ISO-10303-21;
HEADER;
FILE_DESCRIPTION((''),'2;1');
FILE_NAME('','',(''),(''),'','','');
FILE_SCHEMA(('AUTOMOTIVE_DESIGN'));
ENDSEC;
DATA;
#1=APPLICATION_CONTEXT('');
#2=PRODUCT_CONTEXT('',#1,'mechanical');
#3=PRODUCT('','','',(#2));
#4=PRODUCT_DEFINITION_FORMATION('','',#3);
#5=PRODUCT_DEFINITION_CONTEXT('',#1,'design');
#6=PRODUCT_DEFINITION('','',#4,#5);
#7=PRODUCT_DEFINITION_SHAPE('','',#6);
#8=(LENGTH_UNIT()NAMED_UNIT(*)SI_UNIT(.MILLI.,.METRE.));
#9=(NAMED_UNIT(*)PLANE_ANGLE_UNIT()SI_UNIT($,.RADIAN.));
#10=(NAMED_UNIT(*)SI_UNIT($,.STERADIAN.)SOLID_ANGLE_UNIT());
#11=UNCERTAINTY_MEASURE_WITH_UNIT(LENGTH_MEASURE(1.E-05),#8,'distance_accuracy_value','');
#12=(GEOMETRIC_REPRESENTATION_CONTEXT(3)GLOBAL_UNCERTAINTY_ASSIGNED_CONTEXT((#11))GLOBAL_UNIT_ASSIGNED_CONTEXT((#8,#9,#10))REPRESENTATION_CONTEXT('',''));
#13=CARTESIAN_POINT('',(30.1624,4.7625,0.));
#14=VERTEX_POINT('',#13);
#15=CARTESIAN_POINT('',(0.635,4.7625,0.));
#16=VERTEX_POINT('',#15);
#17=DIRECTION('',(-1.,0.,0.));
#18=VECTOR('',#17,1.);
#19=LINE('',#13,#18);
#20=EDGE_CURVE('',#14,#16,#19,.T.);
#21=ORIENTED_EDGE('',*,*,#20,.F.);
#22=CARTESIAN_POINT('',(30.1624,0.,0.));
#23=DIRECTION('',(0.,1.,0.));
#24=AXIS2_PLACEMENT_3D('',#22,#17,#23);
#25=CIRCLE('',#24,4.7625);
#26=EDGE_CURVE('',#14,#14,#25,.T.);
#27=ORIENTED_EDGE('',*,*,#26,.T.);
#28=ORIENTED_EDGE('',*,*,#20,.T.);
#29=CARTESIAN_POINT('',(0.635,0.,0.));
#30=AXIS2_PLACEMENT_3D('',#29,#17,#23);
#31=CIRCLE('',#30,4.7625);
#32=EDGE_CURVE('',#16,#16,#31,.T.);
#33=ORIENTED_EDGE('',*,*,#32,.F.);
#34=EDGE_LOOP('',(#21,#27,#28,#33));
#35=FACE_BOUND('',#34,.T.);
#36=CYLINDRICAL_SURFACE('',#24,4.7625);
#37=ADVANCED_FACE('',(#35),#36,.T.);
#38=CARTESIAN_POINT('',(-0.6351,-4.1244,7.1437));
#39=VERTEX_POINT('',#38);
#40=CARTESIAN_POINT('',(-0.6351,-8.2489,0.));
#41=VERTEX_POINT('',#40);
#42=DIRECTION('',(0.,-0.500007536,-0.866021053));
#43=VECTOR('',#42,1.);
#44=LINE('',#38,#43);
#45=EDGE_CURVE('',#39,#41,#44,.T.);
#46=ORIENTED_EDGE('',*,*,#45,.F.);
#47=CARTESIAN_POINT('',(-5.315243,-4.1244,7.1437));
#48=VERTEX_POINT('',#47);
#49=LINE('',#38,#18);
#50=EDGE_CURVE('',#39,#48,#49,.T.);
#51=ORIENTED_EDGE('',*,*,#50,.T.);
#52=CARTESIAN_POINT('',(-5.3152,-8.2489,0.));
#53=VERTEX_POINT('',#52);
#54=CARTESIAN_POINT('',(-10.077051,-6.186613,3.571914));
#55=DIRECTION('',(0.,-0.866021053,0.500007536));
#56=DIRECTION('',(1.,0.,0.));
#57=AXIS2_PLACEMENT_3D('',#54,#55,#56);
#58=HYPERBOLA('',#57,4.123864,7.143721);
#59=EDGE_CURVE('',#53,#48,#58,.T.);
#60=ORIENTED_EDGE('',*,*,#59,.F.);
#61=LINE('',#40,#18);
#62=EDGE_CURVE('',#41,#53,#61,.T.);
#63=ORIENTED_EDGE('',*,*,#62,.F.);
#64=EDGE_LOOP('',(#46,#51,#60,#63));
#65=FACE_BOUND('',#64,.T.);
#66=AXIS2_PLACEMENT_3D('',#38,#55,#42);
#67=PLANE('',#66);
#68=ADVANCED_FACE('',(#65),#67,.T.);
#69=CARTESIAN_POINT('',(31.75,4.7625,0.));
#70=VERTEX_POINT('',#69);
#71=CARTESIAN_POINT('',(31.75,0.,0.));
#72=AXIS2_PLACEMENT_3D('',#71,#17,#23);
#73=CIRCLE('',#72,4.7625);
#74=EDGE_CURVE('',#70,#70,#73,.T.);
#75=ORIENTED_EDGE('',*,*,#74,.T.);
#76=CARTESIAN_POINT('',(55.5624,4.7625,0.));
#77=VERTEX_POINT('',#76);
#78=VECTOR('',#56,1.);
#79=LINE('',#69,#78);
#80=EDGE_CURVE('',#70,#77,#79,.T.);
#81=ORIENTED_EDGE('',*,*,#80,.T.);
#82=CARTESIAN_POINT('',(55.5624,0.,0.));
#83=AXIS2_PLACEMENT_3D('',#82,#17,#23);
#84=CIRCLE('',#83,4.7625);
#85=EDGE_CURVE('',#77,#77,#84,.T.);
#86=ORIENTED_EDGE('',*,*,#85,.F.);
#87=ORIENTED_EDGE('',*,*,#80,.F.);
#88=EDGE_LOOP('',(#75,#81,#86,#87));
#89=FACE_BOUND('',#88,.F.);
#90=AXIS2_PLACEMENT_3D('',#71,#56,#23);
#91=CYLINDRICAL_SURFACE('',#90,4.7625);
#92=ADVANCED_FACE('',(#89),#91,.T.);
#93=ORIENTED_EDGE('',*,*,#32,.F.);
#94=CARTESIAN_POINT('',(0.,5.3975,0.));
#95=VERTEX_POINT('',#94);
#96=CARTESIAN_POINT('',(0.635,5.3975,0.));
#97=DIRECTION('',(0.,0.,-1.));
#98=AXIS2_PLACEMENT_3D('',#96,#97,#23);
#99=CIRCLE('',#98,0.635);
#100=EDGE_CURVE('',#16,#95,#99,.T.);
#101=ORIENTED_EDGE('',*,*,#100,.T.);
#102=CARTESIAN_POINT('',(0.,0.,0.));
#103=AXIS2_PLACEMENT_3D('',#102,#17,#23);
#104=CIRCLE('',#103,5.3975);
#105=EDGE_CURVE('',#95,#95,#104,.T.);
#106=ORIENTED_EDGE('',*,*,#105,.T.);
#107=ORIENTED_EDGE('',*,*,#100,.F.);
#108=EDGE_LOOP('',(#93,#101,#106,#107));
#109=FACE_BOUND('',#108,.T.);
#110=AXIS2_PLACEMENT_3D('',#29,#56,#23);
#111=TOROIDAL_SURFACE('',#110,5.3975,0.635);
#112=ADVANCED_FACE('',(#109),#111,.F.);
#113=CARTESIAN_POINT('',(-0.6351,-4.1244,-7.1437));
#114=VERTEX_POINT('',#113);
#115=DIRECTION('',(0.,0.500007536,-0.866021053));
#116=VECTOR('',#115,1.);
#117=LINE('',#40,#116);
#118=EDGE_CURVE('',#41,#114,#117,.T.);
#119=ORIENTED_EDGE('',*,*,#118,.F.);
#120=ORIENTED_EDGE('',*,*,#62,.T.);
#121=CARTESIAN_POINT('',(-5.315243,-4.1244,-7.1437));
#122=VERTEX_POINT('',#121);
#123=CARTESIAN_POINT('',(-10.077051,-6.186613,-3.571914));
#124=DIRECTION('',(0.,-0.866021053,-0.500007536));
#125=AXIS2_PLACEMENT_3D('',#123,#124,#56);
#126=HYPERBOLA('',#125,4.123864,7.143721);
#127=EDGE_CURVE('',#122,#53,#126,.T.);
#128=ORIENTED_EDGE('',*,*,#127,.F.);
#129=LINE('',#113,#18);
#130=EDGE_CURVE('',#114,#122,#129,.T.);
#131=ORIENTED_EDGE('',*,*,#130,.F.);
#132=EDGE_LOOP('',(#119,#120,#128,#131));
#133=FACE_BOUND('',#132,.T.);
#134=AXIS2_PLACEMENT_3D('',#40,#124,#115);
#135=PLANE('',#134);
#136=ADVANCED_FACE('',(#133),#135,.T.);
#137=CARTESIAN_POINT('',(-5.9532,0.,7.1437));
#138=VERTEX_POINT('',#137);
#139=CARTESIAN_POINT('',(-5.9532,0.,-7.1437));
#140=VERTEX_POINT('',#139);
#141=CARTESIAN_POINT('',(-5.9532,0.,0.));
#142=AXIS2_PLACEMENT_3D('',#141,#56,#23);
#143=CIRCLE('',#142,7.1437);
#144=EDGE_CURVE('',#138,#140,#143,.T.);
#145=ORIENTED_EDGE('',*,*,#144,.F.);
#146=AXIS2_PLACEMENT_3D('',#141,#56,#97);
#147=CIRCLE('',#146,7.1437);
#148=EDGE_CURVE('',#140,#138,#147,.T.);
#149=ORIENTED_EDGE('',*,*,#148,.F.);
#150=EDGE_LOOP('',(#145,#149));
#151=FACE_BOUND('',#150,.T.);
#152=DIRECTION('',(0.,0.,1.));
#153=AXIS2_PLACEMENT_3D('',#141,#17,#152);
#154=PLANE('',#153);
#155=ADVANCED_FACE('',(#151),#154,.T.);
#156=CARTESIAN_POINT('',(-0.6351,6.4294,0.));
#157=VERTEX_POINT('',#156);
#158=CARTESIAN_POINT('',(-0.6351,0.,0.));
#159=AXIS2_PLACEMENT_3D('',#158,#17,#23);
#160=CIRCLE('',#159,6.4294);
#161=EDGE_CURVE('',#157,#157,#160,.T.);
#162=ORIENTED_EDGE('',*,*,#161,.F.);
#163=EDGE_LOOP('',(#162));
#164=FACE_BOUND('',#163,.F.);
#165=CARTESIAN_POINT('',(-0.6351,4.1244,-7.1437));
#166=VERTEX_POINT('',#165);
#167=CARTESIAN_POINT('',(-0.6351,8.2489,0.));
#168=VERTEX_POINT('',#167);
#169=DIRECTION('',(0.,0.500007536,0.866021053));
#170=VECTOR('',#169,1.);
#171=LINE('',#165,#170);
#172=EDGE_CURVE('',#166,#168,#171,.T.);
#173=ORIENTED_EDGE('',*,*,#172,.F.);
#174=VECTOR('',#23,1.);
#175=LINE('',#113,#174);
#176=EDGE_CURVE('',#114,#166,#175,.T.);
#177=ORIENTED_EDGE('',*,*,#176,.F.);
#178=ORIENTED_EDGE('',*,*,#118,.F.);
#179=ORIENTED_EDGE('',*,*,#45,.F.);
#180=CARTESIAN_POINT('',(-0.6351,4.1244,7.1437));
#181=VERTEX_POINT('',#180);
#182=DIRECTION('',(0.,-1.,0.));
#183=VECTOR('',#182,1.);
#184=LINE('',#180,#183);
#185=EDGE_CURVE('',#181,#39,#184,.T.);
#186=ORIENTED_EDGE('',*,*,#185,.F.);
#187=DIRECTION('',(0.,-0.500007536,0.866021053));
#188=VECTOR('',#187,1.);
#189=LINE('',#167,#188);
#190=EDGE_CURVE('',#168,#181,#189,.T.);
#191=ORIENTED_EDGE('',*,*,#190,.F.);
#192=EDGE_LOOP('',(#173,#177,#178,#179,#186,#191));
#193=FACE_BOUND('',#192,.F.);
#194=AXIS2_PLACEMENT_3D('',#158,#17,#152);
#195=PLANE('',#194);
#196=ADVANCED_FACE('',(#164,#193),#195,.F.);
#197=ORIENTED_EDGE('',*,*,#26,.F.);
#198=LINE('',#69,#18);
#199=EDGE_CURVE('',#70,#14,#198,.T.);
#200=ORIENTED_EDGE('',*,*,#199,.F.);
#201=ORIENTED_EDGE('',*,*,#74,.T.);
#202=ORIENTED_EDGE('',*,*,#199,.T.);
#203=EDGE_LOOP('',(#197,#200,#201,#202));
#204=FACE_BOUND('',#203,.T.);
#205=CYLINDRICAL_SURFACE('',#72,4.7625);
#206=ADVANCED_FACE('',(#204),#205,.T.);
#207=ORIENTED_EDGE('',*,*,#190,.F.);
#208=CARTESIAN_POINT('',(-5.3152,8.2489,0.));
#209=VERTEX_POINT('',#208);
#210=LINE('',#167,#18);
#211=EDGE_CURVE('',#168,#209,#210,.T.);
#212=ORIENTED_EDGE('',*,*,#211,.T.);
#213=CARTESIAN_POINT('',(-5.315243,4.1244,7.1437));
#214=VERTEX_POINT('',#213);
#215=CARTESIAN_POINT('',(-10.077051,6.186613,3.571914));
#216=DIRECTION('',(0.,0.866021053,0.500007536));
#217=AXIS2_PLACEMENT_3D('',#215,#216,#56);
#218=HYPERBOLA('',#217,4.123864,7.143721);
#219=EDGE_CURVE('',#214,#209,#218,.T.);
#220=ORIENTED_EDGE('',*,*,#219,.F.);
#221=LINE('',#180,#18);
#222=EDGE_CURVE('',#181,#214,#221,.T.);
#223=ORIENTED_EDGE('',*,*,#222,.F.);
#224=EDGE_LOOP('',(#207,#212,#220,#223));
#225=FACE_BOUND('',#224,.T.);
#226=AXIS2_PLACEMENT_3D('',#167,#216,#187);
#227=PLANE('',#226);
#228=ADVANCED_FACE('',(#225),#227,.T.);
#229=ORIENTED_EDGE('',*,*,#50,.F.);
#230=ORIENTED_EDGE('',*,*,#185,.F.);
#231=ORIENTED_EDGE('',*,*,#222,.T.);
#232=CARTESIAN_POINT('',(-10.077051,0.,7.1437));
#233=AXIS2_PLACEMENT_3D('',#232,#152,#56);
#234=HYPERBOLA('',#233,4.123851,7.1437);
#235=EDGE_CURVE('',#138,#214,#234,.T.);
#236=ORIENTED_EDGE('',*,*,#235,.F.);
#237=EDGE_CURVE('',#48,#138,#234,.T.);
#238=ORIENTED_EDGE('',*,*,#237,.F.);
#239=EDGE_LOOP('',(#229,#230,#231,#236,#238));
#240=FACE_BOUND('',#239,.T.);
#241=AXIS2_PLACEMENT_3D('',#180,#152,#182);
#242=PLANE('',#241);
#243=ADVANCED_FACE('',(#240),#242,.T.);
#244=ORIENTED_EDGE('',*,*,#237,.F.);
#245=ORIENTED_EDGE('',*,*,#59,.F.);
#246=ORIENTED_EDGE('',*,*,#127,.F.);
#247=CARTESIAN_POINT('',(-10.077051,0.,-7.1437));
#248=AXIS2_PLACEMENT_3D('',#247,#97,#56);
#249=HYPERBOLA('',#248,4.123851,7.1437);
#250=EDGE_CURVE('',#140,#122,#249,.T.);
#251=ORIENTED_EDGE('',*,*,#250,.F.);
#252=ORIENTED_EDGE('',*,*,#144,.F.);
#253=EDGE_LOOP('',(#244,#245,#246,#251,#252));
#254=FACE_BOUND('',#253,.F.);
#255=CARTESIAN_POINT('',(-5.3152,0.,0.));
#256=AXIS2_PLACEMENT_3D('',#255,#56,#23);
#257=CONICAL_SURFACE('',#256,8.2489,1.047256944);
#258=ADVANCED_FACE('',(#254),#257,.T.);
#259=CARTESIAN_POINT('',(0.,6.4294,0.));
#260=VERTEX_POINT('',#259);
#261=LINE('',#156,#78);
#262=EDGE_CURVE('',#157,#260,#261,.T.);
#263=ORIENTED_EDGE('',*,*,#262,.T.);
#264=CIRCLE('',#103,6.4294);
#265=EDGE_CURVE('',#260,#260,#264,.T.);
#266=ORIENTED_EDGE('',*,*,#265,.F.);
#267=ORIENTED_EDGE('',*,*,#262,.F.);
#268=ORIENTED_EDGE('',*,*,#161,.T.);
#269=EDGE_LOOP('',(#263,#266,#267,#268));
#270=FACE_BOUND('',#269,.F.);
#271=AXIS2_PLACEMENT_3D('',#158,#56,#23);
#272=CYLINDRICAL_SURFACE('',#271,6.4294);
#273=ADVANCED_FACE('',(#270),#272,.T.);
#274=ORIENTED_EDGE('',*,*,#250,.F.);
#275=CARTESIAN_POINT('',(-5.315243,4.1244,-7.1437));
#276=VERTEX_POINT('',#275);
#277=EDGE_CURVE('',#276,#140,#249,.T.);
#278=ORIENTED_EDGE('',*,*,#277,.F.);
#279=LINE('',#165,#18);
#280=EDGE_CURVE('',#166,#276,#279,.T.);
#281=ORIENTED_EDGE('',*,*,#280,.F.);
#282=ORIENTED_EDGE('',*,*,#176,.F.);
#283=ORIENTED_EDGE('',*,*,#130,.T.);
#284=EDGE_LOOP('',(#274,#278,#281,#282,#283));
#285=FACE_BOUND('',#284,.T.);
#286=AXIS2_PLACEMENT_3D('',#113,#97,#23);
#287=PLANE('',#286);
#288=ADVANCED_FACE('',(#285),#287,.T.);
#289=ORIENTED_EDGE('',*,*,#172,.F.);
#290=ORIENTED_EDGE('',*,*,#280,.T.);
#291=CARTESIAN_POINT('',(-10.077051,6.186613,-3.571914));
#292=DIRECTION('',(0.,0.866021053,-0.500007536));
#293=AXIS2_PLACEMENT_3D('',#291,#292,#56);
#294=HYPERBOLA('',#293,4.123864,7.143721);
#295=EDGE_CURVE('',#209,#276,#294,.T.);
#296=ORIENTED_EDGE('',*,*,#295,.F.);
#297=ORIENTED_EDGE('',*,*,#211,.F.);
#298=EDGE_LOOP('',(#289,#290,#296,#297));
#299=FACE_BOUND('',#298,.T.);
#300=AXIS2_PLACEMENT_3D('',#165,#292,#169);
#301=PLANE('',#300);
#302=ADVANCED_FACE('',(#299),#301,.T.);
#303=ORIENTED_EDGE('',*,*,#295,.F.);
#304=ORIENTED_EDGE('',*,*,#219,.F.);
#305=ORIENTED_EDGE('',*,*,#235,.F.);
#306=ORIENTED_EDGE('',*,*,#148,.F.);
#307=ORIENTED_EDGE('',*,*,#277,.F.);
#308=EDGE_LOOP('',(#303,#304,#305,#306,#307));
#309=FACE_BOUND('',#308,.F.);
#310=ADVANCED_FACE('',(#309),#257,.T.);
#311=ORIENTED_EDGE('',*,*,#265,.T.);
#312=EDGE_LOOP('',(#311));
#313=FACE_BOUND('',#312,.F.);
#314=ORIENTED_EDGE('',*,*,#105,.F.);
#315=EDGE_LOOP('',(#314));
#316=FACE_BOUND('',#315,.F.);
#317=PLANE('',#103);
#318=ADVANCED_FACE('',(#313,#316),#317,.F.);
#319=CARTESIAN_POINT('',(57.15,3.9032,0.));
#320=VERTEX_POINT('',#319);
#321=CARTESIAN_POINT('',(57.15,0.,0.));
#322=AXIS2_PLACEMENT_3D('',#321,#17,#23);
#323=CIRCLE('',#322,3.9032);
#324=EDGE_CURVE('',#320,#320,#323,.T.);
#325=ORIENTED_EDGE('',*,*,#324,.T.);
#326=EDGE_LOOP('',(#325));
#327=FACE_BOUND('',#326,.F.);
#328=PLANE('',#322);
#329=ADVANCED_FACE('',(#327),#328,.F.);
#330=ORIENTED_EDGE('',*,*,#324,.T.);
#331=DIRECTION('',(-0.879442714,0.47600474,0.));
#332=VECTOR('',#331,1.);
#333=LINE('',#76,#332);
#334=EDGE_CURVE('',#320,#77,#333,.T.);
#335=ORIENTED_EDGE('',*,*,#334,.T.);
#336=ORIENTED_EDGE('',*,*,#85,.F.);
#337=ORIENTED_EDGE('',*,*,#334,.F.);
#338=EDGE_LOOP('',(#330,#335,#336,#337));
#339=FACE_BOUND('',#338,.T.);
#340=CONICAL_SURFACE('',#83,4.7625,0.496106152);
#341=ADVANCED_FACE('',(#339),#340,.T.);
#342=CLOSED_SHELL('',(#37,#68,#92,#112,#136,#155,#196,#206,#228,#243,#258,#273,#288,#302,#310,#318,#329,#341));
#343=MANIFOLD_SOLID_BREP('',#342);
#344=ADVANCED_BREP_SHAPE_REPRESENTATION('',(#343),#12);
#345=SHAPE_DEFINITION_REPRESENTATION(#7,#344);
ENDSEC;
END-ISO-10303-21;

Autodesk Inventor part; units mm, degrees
ref_plane "YZ Plane" through (0, 0, 0) normal (1, 0, 0) x (0, 1, 0)
ref_plane "XZ Plane" through (0, 0, 0) normal (0, 1, 0) x (-1, 0, 0)
sketch "Sketch1" plane through (0, 0, 0) normal (0, 0, 1) x (1, 0, 0)
  line L0 (0, 6.4294) -> (0, 4.7625)
  line L1 (31.75, 4.7625) -> (57.15, 4.7625)
  line L2 (57.15, 4.7625) -> (57.15, 0)
  line L3 (57.15, 0) -> (-0.6351, 0)
  line L4 (-12.1921, 0) -> (68.707, 0) projected
  line L5 (-0.6351, 0) -> (-0.6351, 6.4294)
  line L6 (-0.6351, 6.4294) -> (0, 6.4294)
  line L7 (31.75, 4.7625) -> (30.1624, 4.7625)
  line L8 (30.1624, 4.7625) -> (0, 4.7625)
  line L9 (0, -1.2859) -> (0, 7.7152) projected
  dimension "d0" = 57.15
  dimension "d1" = 25.4
  dimension "d2" = 9.525
  dimension "d9" = 0.6351
  dimension "d10" = 12.8588
  dimension "d13" = 1.5876
  dimension "d14" = 9.525
revolve "Body" add sketch "Sketch1" angle 360 about axis through (57.15, 0, 0) along (-1, 0, 0)
sketch "Sketch2" plane through (-0.6351, 0, 0) normal (-1, 0, 0) x (0, 0, 1)
  line L0 (0, 8.2489) -> (7.1437, 4.1244)
  line L1 (7.1437, 4.1244) -> (7.1437, -4.1244)
  line L2 (7.1437, -4.1244) -> (0, -8.2489)
  line L3 (0, -8.2489) -> (-7.1437, -4.1244)
  line L4 (-7.1437, -4.1244) -> (-7.1437, 4.1244)
  line L5 (-7.1437, 4.1244) -> (0, 8.2489)
  point P0 (0, 0)
  point P1 (0, 0)
  dimension "d11" = 14.2875
extrude "Head" add sketch "Sketch2" along normal blind 5.3181
sketch "Sketch4" plane through (0, 0, 0) normal (0, 0, 1) x (1, 0, 0)
  line L0 (-5.9532, 7.1437) -> (-5.9532, 8.2489)
  line L1 (-5.9532, 8.2489) -> (-5.3152, 8.2489)
  line L2 (-5.3152, 8.2489) -> (-5.9532, 7.1437)
  line L3 (-7.0169, 0) -> (0.4285, 0) projected
  line L4 (-0.6351, 8.2489) -> (-5.9532, 8.2489) projected
  line L5 (-5.9532, 4.1244) -> (-5.9532, 8.2489) projected
  dimension "d5" = 30
  dimension "d19" = 14.2875
revolve "Chamfer1" cut sketch "Sketch4" angle 360 about axis through (-10, 0, 0) along (1, 0, 0)
thread "Thread" size "3/8-16 UNC" class "2A" standard "ANSI Unified Screw Threads" length 25.4
chamfer "Chamfer2" distance 0.8593 distance2 1.5876 1 edges at (57.15, -4.7625, 0) measured on face at (57.15, 0.9018, -1.6622)
ref_plane "Work Plane1" through (1.525, 0, 0) normal (0, 0, 1) x (1, 0, 0)
fillet "Fillet2" radius 0.635 1 edges at (0, -4.7625, 0)
equation "\"d0\" = NLG"
equation "\"d1\" = GEL"
equation "\"d2\" = GD"
equation "\"d10\" = SD2"
equation "\"d14\" = BDM"
equation "\"d11\" = SW"
equation "\"d3\" = KOH - SD"
equation "\"d5\" = ANG1"
equation "\"d19\" = SW0"
equation "\"d63\" = R"
equation "\"d15\" = GEL"
equation "\"d6\" = -0.5 * SPD + 0.5 * GD"
equation "\"NLG\" = 57.15"
equation "\"GD\" = NND"
equation "\"BDM\" = 9.525"
equation "\"KOH\" = 5.95312"
equation "\"GEL\" = 25.4"
equation "\"SW\" = 14.2875"
equation "\"SW0\" = SW"
equation "\"SPD\" = 7.80644"
equation "\"SD2\" = 12.85875"
equation "\"SD\" = 0.635"
equation "\"ANG1\" = 30deg"
equation "\"GAL\" = 1.5875"
equation "\"GUL\" = 1.5875"
equation "\"R\" = 0.635"
equation "\"THREADDIA\" = 9.525"
equation "\"TOA\" = 30deg"
equation "\"RR\" = 0.508"
equation "\"NND\" = 9.525"
equation "\"E0\" = 1.155 * SW"
equation "\"SLG\" = 0"
equation "\"GD1\" = 7.80644"
properties part number "ANSI B18.2.1 - 3/8-16 UNC - 2.25, HCSI" material "Steel, Mild"
